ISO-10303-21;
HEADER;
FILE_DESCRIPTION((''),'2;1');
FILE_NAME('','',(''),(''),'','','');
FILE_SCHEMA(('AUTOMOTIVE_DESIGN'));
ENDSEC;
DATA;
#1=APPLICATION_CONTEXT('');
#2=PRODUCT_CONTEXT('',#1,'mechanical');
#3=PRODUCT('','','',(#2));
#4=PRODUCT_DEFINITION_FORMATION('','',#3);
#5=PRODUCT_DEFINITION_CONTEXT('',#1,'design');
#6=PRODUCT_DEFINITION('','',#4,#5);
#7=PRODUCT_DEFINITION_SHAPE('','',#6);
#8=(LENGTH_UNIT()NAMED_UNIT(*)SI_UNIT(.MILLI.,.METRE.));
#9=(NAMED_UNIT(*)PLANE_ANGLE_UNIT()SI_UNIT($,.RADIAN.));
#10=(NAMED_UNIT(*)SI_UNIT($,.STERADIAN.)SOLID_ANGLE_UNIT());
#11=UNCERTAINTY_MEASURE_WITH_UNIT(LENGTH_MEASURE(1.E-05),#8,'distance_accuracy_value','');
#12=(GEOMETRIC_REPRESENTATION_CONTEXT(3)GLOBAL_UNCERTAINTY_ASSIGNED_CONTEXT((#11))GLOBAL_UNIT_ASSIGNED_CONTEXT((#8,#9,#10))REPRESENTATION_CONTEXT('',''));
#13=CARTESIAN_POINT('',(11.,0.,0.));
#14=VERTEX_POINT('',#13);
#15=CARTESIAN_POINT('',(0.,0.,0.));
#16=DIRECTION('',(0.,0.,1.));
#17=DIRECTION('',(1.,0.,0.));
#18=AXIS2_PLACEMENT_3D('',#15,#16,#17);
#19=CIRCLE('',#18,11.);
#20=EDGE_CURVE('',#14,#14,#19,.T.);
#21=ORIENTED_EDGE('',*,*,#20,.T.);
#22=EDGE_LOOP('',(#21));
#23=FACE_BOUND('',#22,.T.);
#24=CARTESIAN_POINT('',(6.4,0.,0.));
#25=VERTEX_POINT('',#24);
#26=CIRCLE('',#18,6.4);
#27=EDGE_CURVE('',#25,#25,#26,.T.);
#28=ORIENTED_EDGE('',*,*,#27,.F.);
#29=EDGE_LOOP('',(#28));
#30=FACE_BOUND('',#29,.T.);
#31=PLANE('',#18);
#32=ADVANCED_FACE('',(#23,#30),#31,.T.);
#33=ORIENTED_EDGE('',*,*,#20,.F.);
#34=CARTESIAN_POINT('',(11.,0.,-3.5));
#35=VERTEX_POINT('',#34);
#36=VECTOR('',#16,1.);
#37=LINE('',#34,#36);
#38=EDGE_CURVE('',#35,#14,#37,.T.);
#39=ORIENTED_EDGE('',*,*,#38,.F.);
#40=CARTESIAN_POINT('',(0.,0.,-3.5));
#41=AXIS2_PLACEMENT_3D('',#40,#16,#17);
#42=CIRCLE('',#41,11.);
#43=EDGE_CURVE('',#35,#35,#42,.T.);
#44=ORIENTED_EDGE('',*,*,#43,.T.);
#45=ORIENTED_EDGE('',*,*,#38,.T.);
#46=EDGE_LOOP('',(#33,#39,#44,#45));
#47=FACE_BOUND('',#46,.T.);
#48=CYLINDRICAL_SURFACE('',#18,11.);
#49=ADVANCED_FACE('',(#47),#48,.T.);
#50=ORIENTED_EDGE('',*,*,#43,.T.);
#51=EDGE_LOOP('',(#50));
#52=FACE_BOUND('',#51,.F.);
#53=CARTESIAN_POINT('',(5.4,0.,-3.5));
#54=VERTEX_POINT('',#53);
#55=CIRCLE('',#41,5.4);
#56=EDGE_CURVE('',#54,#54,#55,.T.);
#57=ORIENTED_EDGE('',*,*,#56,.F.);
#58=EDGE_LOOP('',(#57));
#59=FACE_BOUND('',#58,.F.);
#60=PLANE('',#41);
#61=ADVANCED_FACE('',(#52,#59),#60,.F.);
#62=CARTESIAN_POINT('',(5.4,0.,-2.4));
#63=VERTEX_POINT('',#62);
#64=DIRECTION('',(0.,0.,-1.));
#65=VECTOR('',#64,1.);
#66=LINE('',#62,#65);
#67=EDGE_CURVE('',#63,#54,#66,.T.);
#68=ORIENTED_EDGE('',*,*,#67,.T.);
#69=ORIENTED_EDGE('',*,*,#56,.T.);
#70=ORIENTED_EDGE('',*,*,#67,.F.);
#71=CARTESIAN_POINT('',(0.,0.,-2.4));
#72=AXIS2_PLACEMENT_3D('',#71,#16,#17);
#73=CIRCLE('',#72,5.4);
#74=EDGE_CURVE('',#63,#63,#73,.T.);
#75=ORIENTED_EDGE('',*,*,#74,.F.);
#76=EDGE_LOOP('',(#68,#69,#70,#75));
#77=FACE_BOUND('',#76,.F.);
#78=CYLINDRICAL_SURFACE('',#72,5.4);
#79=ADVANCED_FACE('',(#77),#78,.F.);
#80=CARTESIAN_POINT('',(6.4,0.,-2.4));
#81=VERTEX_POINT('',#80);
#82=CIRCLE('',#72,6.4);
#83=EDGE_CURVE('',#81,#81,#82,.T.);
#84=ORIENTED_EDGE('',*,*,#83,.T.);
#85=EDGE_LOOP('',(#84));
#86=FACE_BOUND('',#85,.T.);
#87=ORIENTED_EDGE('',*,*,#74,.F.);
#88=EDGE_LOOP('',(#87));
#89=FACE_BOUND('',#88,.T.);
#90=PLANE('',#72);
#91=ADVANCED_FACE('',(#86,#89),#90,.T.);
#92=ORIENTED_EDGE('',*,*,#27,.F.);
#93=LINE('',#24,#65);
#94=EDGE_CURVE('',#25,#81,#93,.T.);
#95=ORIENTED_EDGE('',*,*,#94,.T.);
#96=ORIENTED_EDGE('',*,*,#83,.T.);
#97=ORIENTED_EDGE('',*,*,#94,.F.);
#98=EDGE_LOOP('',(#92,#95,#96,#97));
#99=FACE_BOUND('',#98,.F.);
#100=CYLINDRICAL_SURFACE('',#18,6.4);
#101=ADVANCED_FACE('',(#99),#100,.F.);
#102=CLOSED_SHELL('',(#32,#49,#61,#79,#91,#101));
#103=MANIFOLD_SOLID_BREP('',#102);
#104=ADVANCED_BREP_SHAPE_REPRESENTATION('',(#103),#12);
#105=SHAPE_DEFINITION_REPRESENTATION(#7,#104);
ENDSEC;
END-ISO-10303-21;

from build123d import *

# Parameters (mm, degrees)
F0_R     = 11
F0_R_2   = 6.4
F1_DEPTH = 3.5
F3_R     = 11
F3_R_2   = 5.4
F4_DEPTH = 1.1


with BuildPart() as f1:
    # F0 (on Top) → F1 (new body)
    with BuildSketch(Plane.XY):
        Circle(F0_R)
        Circle(F0_R_2, mode=Mode.SUBTRACT)
    extrude(amount=-F1_DEPTH)

    # F3 (on offset) → F4 (join, through all)
    with BuildSketch(Plane.XY.offset(-2.4)):
        Circle(F3_R)
        Circle(F3_R_2, mode=Mode.SUBTRACT)
    extrude(amount=-F4_DEPTH)


solid = f1.part
